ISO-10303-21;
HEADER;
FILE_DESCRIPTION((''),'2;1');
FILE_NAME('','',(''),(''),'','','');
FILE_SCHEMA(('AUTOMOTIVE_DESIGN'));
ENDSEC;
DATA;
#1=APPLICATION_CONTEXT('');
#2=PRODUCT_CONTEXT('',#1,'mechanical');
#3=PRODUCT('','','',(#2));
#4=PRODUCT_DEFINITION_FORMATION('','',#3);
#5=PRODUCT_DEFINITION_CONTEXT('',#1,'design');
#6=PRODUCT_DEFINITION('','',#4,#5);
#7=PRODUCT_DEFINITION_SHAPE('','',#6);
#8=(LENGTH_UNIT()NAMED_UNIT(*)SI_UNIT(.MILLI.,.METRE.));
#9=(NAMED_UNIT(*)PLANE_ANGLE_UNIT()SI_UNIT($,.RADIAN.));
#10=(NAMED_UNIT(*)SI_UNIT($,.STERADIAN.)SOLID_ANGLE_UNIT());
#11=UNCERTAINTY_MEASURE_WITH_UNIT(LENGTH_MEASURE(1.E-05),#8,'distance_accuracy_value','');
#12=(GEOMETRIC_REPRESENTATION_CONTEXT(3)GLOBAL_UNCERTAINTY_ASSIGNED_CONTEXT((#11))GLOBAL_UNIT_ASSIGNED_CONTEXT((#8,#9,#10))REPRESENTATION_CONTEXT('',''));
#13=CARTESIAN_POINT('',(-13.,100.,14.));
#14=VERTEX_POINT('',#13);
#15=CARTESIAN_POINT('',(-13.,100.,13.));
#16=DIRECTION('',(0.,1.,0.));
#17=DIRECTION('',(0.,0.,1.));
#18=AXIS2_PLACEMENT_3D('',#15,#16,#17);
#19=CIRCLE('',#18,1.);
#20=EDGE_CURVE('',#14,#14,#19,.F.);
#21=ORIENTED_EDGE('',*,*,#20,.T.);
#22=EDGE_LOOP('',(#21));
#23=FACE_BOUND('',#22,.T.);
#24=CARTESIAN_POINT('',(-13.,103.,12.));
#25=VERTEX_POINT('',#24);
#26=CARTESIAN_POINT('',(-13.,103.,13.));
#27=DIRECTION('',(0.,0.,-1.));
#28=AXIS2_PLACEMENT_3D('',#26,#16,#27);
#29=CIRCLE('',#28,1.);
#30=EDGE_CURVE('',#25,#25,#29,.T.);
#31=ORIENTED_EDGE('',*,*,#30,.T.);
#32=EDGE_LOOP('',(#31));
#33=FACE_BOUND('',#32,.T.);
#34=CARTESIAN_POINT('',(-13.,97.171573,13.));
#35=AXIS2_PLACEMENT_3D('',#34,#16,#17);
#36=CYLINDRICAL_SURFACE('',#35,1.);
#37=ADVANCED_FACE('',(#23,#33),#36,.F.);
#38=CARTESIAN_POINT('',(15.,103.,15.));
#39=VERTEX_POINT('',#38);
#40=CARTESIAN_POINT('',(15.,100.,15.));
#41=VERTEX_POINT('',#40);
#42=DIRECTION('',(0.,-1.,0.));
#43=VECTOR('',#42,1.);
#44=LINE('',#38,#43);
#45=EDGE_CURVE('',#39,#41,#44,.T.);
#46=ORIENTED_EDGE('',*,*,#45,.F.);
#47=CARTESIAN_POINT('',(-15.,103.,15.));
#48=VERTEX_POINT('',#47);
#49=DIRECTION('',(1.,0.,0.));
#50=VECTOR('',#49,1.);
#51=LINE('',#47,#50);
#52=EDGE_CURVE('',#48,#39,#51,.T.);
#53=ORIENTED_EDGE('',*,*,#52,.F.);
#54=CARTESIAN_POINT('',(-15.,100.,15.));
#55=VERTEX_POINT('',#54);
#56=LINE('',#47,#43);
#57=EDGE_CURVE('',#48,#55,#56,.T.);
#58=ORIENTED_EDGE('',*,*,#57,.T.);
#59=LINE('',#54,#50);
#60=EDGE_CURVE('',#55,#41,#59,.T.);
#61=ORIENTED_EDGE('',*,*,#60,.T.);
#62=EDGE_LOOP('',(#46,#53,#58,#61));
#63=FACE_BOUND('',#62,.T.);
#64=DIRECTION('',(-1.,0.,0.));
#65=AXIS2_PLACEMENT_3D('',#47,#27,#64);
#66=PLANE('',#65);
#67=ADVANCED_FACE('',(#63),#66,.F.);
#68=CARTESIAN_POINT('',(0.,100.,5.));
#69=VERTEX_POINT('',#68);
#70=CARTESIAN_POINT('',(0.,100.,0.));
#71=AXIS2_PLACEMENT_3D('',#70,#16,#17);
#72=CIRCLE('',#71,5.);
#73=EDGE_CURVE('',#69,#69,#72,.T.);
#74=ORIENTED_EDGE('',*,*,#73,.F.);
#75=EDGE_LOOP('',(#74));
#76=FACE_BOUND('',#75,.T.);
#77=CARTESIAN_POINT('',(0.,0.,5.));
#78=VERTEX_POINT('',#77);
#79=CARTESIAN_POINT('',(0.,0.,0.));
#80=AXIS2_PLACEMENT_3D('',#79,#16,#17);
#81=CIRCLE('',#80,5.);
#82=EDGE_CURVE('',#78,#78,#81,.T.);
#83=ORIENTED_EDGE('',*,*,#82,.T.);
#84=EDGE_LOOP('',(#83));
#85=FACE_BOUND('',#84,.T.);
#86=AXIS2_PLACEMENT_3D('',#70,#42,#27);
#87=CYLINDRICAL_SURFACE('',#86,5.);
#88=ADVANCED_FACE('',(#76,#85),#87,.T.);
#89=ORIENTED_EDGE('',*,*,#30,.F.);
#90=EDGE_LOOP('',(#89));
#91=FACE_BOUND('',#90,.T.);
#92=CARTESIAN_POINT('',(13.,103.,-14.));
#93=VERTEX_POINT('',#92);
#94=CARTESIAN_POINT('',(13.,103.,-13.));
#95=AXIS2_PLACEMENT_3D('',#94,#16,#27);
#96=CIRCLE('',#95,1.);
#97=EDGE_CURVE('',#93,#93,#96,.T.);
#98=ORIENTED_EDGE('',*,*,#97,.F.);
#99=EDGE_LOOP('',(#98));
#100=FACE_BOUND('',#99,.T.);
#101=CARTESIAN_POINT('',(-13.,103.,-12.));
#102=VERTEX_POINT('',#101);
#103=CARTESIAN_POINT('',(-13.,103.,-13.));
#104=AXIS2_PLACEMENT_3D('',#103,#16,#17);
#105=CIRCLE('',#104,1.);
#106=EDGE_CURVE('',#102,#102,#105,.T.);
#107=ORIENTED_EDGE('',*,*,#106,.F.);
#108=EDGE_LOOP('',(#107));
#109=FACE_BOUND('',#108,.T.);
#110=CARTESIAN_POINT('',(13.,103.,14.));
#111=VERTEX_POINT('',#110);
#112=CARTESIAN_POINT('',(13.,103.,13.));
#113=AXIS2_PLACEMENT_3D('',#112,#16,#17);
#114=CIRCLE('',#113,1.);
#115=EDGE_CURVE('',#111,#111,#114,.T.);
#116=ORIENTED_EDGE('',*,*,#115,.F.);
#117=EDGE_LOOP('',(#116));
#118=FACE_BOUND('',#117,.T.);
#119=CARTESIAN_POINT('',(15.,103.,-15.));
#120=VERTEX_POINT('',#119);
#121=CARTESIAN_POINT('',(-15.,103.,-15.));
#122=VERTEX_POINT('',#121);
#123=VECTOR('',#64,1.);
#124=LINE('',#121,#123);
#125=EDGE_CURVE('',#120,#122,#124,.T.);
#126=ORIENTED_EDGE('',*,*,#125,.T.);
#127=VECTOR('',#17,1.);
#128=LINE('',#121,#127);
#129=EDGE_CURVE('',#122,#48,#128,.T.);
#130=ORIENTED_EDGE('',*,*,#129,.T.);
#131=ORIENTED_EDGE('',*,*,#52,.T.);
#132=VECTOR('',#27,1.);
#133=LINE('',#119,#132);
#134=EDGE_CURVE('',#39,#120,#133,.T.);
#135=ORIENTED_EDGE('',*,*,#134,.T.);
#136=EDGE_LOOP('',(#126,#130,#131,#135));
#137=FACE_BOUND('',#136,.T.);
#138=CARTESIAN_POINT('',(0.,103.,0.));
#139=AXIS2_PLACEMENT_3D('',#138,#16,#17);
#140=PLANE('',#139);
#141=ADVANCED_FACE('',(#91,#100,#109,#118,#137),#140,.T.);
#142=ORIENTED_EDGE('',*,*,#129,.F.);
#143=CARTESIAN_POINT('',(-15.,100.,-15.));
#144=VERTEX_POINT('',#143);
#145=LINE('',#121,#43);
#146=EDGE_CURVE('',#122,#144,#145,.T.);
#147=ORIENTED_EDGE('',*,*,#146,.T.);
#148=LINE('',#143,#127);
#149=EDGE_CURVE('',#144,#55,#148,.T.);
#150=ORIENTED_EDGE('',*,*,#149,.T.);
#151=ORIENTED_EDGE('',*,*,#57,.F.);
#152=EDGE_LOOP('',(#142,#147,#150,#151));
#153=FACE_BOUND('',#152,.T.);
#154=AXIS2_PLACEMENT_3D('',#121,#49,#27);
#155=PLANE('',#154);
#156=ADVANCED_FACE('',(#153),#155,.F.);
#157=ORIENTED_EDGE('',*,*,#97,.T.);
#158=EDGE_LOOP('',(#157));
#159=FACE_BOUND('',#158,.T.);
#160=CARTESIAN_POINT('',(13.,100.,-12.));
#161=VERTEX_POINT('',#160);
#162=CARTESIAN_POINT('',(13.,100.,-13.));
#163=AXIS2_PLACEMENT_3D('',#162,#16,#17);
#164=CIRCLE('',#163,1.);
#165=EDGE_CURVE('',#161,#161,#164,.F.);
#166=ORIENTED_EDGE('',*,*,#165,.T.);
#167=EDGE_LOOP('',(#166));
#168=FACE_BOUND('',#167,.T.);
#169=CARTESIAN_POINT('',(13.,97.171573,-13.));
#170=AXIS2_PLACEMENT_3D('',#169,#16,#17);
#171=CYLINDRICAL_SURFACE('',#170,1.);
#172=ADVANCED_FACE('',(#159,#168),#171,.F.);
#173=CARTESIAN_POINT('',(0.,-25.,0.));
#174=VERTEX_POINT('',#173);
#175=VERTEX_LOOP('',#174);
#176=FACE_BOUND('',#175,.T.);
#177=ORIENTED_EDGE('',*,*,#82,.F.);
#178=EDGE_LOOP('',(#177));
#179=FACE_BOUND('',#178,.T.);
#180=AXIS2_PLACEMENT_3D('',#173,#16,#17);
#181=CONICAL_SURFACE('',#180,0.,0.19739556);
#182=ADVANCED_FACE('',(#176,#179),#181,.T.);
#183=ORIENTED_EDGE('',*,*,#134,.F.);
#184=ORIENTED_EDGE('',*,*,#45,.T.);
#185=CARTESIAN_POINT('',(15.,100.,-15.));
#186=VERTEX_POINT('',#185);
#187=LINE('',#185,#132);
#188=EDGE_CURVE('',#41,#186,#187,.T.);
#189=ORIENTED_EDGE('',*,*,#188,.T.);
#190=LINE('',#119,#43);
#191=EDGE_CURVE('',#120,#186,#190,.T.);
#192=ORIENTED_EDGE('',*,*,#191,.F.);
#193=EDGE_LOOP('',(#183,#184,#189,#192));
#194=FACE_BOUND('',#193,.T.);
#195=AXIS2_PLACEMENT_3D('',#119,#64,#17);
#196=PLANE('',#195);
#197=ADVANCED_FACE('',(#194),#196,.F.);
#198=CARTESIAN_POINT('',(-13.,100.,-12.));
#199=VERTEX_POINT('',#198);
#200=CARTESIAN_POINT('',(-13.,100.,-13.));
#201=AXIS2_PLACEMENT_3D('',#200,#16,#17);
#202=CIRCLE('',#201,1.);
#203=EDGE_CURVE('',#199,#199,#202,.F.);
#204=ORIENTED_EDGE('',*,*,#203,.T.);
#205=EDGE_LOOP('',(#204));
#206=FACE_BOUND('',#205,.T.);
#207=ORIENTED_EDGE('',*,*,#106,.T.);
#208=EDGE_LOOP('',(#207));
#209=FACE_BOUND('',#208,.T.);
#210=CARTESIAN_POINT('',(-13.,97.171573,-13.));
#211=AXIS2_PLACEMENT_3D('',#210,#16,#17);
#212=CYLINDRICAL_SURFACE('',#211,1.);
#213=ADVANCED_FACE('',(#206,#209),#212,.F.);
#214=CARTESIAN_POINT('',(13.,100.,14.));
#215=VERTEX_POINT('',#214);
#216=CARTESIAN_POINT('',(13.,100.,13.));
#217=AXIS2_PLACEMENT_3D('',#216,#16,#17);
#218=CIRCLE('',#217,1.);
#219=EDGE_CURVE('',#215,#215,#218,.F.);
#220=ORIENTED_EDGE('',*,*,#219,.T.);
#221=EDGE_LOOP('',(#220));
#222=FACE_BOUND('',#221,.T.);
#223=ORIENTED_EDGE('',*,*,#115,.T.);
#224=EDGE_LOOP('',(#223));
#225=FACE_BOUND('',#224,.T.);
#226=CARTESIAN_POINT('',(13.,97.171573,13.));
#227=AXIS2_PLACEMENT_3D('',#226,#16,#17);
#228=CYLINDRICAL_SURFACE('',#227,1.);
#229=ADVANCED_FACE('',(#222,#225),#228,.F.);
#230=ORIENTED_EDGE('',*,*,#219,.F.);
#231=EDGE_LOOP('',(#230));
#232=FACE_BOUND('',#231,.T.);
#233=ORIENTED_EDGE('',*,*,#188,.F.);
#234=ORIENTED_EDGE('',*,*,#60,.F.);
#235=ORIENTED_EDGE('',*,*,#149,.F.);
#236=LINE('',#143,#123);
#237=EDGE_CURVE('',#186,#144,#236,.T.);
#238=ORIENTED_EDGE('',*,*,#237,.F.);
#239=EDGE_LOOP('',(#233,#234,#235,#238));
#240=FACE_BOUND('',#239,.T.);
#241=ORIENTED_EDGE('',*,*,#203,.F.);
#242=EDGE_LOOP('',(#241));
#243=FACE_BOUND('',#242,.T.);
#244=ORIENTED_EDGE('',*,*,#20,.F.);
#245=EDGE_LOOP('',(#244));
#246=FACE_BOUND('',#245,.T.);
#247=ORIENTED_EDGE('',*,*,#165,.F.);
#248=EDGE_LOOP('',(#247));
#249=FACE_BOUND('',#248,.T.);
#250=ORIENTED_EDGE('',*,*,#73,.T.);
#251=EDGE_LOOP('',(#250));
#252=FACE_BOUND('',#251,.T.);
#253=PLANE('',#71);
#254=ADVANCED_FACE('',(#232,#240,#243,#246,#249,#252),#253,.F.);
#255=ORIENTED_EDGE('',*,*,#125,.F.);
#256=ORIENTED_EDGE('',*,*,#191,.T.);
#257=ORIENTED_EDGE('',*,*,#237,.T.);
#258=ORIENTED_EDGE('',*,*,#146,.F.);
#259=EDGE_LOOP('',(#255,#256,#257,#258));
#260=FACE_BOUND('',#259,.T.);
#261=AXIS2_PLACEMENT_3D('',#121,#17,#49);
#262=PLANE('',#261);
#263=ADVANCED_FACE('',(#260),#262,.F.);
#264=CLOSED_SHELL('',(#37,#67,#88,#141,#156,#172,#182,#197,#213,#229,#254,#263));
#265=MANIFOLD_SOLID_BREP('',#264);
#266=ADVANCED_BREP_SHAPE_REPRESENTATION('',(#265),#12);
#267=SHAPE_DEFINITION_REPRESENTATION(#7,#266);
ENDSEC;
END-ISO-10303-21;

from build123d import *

# Parameters (mm, degrees)
SKETCH1_R           = 5
BOSS_EXTRUDE1_DEPTH = 100
SKETCH3_W           = 30
SKETCH3_H           = 30
BOSS_EXTRUDE3_DEPTH = 3
SKETCH4_R           = 1
CUT_EXTRUDE1_DEPTH  = 3


with BuildPart() as part:
    # Sketch1 → Boss-Extrude1 (new body)
    with BuildSketch(Plane(origin=(0, 0, 0), x_dir=(1, 0, 0), z_dir=(0, 1, 0))):
        Circle(SKETCH1_R)
    extrude(amount=BOSS_EXTRUDE1_DEPTH)

    # Sketch3 → Boss-Extrude3 (add)
    with BuildSketch(Plane(origin=(0, 100, 0), x_dir=(1, 0, 0), z_dir=(0, 1, 0))):
        Rectangle(SKETCH3_W, SKETCH3_H)
    extrude(amount=BOSS_EXTRUDE3_DEPTH)

    # Sketch4 → Cut-Extrude1 (cut)
    with BuildSketch(Plane(origin=(0, 103, 0), x_dir=(1, 0, 0), z_dir=(0, 1, 0))):
        with Locations((-13, 13)):
            Circle(SKETCH4_R)
        with Locations((13, 13)):
            Circle(SKETCH4_R)
        with Locations((13, -13)):
            Circle(SKETCH4_R)
        with Locations((-13, -13)):
            Circle(SKETCH4_R)
    extrude(amount=-CUT_EXTRUDE1_DEPTH, mode=Mode.SUBTRACT)

    # Sketch5 → Revolve1 (revolve)
    with BuildSketch(Plane(origin=(0, 0, 0), x_dir=(0, 0, -1), z_dir=(1, 0, 0))):
        Polygon((0, 0), (0, -25), (5, 0), align=None)
    revolve(axis=Axis((0, 0, 0), (0, -1, 0)))


solid = part.part
